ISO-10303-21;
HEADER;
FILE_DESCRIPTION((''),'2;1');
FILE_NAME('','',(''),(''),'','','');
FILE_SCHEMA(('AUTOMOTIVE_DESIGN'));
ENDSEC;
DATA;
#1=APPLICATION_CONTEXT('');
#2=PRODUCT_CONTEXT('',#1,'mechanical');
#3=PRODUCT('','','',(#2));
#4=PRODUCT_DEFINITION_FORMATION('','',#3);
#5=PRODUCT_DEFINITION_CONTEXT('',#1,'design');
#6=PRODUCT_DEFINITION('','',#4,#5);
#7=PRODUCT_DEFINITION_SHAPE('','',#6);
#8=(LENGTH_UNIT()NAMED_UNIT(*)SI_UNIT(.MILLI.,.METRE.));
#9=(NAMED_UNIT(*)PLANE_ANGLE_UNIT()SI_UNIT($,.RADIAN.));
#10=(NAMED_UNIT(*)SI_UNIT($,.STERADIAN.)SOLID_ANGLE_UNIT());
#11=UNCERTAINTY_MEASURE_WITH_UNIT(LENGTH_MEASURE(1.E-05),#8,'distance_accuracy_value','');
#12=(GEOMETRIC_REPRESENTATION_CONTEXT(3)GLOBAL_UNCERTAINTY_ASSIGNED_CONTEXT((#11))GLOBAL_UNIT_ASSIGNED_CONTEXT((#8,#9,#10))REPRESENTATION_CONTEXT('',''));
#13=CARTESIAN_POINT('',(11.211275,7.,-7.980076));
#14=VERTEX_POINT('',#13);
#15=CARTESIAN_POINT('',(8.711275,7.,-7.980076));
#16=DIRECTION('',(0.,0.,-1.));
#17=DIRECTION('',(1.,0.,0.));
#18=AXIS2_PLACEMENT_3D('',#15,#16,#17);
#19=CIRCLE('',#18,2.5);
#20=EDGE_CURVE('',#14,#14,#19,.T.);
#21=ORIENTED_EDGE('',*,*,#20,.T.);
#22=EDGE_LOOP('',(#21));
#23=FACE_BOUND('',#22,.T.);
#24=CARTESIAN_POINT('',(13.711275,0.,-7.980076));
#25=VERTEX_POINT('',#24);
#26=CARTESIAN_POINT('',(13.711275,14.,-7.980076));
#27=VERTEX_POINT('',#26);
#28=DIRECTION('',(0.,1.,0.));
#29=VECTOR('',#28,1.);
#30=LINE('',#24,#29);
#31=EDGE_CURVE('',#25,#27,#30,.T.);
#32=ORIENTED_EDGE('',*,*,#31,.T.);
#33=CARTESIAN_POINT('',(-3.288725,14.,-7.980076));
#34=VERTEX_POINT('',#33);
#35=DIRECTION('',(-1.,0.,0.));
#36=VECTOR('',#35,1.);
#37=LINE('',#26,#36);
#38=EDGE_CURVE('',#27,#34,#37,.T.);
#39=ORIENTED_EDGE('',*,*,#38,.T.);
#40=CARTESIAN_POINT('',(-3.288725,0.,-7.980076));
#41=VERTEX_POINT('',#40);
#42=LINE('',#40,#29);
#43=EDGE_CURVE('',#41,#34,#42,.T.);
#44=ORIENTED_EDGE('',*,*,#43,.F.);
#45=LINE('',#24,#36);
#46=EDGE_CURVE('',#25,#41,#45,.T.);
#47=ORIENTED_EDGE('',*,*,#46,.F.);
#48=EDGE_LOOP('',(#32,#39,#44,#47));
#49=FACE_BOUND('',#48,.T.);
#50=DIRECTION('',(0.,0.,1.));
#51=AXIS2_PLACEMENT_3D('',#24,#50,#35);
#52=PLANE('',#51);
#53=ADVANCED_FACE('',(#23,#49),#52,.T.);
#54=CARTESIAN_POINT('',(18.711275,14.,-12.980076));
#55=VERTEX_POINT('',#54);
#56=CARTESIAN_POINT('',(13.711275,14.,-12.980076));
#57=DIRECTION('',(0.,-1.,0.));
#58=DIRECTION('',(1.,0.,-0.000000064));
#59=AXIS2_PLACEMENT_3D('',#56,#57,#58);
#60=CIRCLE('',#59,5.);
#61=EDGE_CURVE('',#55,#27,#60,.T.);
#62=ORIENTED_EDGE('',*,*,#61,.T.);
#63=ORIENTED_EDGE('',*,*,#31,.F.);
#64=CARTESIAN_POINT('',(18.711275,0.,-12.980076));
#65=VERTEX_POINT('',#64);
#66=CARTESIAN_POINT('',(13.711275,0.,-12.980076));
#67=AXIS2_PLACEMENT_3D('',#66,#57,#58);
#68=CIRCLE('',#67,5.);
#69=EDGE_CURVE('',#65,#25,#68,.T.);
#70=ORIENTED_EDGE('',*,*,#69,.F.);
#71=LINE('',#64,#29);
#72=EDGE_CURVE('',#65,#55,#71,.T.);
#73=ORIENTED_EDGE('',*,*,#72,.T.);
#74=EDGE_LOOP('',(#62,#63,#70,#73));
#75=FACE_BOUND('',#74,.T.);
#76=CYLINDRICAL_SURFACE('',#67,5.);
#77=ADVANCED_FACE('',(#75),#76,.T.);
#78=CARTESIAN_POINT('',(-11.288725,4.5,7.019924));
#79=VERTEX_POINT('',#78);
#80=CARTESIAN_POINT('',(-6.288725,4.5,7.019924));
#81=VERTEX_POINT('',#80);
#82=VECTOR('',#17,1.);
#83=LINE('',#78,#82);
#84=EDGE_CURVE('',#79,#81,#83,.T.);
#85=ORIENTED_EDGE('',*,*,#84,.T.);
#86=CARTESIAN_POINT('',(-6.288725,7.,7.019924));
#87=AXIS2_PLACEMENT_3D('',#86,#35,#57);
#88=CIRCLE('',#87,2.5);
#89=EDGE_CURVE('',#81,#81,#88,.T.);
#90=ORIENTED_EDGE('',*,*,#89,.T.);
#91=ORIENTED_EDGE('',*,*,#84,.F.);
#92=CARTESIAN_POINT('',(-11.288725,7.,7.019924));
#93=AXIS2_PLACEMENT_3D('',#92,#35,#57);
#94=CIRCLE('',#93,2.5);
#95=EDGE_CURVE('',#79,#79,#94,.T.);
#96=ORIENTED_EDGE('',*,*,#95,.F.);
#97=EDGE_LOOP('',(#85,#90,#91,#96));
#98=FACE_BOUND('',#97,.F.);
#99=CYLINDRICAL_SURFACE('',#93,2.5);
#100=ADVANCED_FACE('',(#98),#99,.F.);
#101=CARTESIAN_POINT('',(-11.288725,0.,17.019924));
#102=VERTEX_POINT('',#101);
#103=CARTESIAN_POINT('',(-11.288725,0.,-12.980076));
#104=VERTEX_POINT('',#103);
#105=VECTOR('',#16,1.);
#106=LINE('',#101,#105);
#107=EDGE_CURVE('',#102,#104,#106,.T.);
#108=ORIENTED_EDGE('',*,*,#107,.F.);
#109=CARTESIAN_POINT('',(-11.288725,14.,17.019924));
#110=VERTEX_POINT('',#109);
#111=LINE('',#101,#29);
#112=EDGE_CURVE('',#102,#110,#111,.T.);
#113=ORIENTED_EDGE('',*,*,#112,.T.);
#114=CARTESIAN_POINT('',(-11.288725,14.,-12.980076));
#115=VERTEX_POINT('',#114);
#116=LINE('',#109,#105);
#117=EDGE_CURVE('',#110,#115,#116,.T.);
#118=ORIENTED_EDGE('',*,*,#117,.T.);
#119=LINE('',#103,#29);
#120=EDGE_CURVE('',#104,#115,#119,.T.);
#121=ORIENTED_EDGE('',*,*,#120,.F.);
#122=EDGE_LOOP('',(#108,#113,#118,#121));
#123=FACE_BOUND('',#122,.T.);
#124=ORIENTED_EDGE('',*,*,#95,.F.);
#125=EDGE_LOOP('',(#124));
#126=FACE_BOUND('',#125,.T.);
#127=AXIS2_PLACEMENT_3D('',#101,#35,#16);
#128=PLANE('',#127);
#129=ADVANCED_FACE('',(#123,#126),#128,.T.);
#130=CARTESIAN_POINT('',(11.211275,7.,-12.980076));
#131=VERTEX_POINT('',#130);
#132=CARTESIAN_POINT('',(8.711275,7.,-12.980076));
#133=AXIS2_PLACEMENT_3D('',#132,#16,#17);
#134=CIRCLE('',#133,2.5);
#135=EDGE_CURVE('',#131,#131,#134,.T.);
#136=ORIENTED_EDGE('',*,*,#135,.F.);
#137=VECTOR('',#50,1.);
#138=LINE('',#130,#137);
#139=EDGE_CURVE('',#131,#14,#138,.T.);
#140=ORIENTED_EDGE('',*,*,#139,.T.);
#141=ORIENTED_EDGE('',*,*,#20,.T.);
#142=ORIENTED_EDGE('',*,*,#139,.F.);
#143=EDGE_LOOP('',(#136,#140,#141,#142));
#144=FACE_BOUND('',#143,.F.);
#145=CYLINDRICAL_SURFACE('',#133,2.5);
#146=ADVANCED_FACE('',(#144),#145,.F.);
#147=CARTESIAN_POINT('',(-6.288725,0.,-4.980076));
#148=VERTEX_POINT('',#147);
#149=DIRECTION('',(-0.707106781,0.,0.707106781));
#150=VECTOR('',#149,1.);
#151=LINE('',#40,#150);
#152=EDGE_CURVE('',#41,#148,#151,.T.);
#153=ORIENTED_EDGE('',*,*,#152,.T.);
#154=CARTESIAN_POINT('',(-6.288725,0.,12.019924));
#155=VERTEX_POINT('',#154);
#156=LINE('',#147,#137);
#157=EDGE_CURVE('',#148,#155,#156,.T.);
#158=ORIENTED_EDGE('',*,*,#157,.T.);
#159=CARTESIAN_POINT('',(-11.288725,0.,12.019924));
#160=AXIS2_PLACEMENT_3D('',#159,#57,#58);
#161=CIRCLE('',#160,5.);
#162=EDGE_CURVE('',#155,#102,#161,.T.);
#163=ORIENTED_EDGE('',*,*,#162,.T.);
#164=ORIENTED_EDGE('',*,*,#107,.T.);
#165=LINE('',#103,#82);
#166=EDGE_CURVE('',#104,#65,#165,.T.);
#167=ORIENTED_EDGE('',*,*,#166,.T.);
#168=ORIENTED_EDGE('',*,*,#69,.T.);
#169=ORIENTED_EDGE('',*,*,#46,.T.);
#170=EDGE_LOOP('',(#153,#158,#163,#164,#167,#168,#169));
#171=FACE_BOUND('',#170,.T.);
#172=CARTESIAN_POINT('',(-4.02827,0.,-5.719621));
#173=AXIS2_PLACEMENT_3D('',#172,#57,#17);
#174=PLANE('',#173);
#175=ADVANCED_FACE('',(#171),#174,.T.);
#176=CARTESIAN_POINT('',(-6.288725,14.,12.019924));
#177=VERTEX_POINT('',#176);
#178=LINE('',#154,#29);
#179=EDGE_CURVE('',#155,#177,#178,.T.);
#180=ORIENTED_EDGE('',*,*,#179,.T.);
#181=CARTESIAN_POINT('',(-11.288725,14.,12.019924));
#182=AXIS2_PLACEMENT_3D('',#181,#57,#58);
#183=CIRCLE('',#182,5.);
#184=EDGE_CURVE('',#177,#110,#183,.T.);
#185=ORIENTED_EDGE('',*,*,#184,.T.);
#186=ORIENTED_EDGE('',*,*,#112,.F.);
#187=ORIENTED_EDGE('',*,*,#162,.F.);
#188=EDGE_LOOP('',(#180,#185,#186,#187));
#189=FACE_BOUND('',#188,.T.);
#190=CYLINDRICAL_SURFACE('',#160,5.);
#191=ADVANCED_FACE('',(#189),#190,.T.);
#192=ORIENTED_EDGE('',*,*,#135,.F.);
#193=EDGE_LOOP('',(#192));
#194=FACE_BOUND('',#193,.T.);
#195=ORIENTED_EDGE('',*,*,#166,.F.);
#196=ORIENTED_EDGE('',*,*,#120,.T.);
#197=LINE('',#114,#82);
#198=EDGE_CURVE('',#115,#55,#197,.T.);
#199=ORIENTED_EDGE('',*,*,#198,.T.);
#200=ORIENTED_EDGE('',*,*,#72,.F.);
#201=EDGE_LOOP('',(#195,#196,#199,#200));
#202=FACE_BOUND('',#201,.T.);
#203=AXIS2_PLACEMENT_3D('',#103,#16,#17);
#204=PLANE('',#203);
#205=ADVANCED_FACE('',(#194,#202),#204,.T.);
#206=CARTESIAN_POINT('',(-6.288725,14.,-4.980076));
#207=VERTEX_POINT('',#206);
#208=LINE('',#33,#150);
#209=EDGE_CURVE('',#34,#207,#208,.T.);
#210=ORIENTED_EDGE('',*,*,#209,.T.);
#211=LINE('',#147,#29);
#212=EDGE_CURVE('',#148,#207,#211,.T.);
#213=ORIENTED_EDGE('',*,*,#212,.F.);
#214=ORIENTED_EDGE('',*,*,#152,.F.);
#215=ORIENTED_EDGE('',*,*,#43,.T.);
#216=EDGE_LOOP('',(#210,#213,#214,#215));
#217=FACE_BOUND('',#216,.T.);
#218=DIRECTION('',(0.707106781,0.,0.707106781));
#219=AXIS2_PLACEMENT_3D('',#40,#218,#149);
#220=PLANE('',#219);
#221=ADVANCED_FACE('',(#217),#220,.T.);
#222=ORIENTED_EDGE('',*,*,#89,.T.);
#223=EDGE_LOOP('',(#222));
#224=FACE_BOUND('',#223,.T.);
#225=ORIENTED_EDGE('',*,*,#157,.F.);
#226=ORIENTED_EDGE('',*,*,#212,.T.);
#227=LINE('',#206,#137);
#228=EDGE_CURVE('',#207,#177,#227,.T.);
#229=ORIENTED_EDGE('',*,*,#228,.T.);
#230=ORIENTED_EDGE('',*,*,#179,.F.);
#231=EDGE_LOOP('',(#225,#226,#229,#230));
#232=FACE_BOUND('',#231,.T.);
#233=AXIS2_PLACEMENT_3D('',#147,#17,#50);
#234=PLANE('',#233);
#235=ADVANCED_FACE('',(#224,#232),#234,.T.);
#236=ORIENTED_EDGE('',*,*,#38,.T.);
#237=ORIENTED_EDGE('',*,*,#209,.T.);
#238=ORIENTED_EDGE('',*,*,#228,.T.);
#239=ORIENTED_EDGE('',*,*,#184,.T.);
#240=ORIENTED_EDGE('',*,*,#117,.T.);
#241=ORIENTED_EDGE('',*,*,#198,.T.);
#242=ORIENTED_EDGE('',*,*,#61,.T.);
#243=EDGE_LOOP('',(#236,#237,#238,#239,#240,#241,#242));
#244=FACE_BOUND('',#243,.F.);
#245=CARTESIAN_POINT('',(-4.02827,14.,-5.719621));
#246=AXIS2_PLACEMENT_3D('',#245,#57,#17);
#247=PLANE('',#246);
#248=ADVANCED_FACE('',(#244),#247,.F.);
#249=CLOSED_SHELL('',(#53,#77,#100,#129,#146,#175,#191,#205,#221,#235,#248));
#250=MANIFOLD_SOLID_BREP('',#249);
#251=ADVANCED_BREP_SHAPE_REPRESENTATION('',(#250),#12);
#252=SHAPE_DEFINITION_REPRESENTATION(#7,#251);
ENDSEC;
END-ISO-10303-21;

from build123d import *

# Parameters (mm, degrees)
F1_DEPTH = 14
F2_R     = 2.5
F3_DEPTH = 5
F4_R     = 2.5
F5_DEPTH = 5


with BuildPart() as f1:
    # F0 (on Front) → F1 (new body)
    with BuildSketch(Plane.XZ):
        Polygon((-6.288725, 7.019924), (-11.288725, 7.019924), (-11.288725, -12.980076), (8.711275, -12.980076), (8.711275, -7.980076), (-3.288725, -7.980076), (-6.288725, -4.980076), align=None)
        with BuildLine():
            Line((8.711275, -7.980076), (8.711275, -12.980076))
            Line((8.711275, -12.980076), (18.711275, -12.980076))
            ThreePointArc((18.711275, -12.980076), (17.246809, -9.444542), (13.711275, -7.980076))
            Line((13.711275, -7.980076), (8.711275, -7.980076))
        make_face()
        with BuildLine():
            ThreePointArc((-6.288725, 12.019924), (-7.753191, 15.555458), (-11.288725, 17.019924))
            Line((-11.288725, 17.019924), (-11.288725, 7.019924))
            Line((-11.288725, 7.019924), (-6.288725, 7.019924))
            Line((-6.288725, 7.019924), (-6.288725, 12.019924))
        make_face()
    extrude(amount=-F1_DEPTH)

    # F2 (on face) → F3 (cut)
    with BuildSketch(Plane(origin=(-11.288725, 0, 0), x_dir=(0, -1, 0), z_dir=(-1, 0, 0))):
        with Locations((-7, 7.019924)):
            Circle(F2_R)
    extrude(amount=-F3_DEPTH, mode=Mode.SUBTRACT)

    # F4 (on face) → F5 (cut)
    with BuildSketch(Plane(origin=(0, 0, -12.980076), x_dir=(1, 0, 0), z_dir=(0, 0, -1))):
        with Locations((8.711275, -7)):
            Circle(F4_R)
    extrude(amount=-F5_DEPTH, mode=Mode.SUBTRACT)


solid = f1.part
